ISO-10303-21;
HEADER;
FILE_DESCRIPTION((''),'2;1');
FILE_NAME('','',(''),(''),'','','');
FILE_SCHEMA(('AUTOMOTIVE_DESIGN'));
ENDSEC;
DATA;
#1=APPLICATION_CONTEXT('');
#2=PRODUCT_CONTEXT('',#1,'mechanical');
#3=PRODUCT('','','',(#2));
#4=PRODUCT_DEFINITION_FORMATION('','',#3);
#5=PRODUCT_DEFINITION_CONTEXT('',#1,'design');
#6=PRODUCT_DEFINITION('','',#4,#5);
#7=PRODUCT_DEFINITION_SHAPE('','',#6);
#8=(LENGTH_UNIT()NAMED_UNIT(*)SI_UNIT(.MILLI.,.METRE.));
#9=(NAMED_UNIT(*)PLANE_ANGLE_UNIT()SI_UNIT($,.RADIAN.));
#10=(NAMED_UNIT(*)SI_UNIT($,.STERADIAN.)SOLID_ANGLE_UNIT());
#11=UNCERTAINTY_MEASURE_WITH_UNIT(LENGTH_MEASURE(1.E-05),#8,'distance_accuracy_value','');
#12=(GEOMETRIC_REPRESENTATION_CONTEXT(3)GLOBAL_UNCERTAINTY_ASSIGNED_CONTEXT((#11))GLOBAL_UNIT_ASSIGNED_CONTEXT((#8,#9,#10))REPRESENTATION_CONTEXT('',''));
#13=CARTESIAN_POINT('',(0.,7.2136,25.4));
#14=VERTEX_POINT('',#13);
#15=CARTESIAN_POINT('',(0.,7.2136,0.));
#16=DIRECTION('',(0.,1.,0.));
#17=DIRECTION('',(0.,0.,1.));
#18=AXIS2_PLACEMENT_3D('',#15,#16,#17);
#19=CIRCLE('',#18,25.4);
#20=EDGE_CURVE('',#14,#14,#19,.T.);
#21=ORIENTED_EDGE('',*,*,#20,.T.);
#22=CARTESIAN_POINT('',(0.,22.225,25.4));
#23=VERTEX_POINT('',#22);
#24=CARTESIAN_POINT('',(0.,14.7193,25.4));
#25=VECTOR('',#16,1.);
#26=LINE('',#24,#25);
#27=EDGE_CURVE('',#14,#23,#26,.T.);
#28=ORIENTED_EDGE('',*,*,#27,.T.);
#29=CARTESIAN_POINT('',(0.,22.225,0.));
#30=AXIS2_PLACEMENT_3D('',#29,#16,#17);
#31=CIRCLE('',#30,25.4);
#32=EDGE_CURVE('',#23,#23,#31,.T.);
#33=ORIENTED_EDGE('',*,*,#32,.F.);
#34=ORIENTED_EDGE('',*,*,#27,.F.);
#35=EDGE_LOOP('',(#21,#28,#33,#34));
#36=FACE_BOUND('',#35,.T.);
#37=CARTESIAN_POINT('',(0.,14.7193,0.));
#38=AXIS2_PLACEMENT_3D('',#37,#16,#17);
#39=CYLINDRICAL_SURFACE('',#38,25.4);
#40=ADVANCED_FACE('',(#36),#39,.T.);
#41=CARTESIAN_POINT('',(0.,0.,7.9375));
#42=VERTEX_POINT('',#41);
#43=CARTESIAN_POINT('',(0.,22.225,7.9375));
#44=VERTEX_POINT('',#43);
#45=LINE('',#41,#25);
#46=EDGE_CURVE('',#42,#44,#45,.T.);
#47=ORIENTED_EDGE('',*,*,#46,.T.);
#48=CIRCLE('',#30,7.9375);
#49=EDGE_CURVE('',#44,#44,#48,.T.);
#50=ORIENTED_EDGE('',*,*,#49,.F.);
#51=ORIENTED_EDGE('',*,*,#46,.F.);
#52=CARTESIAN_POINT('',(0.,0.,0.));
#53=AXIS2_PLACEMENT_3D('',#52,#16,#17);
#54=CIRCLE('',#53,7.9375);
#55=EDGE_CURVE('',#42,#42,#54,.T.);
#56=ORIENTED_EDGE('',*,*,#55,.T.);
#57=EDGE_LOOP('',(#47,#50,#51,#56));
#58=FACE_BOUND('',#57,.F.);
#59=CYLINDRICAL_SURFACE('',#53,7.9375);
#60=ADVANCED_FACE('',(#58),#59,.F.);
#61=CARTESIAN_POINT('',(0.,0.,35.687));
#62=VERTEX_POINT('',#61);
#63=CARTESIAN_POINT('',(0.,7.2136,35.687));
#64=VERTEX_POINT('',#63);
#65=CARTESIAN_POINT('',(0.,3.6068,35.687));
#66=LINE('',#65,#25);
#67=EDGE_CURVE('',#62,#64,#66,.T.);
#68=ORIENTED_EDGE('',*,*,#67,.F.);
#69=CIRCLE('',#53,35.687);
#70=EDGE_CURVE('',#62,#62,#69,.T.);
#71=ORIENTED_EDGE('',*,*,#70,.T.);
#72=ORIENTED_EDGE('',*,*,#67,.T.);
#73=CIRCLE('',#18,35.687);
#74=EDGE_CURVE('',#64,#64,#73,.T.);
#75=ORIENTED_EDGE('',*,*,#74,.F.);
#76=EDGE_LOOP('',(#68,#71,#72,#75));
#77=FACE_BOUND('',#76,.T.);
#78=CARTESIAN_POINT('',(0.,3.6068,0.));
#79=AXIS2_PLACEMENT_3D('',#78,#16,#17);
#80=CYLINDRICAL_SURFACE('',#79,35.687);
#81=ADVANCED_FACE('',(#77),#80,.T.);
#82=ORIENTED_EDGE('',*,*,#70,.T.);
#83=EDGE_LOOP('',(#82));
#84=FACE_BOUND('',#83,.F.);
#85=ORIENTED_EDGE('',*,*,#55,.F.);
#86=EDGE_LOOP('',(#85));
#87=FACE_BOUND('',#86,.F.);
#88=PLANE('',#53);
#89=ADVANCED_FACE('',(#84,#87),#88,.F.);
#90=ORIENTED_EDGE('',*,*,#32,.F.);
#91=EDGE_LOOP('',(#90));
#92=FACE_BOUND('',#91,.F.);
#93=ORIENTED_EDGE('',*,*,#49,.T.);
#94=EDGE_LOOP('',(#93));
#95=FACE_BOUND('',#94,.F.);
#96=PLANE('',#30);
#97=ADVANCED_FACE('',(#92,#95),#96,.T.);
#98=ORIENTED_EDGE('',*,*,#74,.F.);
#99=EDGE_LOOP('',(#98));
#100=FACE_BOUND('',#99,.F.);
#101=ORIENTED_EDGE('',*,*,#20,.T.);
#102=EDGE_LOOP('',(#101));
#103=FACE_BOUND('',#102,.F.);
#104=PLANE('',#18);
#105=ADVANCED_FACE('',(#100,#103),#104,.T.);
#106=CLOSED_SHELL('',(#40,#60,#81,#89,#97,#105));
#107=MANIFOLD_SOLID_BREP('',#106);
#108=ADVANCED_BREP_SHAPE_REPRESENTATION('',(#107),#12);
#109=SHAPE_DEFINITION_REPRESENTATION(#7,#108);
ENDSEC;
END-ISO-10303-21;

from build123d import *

# Parameters (mm, degrees)
F0_W   = 7.2136
F0_H   = 10.287
F0_H_2 = 17.4625
F0_W_2 = 15.0114


with BuildPart() as f1:
    # F0 (on Right) → F1 (revolve)
    with BuildSketch(Plane.YZ):
        with Locations((3.6068, 30.5435)):
            Rectangle(F0_W, F0_H)
        with Locations((3.6068, 16.66875)):
            Rectangle(F0_W, F0_H_2)
        with Locations((14.7193, 16.66875)):
            Rectangle(F0_W_2, F0_H_2)
    revolve(axis=Axis((0, 11.1125, 0), (0, 1, 0)))


solid = f1.part
